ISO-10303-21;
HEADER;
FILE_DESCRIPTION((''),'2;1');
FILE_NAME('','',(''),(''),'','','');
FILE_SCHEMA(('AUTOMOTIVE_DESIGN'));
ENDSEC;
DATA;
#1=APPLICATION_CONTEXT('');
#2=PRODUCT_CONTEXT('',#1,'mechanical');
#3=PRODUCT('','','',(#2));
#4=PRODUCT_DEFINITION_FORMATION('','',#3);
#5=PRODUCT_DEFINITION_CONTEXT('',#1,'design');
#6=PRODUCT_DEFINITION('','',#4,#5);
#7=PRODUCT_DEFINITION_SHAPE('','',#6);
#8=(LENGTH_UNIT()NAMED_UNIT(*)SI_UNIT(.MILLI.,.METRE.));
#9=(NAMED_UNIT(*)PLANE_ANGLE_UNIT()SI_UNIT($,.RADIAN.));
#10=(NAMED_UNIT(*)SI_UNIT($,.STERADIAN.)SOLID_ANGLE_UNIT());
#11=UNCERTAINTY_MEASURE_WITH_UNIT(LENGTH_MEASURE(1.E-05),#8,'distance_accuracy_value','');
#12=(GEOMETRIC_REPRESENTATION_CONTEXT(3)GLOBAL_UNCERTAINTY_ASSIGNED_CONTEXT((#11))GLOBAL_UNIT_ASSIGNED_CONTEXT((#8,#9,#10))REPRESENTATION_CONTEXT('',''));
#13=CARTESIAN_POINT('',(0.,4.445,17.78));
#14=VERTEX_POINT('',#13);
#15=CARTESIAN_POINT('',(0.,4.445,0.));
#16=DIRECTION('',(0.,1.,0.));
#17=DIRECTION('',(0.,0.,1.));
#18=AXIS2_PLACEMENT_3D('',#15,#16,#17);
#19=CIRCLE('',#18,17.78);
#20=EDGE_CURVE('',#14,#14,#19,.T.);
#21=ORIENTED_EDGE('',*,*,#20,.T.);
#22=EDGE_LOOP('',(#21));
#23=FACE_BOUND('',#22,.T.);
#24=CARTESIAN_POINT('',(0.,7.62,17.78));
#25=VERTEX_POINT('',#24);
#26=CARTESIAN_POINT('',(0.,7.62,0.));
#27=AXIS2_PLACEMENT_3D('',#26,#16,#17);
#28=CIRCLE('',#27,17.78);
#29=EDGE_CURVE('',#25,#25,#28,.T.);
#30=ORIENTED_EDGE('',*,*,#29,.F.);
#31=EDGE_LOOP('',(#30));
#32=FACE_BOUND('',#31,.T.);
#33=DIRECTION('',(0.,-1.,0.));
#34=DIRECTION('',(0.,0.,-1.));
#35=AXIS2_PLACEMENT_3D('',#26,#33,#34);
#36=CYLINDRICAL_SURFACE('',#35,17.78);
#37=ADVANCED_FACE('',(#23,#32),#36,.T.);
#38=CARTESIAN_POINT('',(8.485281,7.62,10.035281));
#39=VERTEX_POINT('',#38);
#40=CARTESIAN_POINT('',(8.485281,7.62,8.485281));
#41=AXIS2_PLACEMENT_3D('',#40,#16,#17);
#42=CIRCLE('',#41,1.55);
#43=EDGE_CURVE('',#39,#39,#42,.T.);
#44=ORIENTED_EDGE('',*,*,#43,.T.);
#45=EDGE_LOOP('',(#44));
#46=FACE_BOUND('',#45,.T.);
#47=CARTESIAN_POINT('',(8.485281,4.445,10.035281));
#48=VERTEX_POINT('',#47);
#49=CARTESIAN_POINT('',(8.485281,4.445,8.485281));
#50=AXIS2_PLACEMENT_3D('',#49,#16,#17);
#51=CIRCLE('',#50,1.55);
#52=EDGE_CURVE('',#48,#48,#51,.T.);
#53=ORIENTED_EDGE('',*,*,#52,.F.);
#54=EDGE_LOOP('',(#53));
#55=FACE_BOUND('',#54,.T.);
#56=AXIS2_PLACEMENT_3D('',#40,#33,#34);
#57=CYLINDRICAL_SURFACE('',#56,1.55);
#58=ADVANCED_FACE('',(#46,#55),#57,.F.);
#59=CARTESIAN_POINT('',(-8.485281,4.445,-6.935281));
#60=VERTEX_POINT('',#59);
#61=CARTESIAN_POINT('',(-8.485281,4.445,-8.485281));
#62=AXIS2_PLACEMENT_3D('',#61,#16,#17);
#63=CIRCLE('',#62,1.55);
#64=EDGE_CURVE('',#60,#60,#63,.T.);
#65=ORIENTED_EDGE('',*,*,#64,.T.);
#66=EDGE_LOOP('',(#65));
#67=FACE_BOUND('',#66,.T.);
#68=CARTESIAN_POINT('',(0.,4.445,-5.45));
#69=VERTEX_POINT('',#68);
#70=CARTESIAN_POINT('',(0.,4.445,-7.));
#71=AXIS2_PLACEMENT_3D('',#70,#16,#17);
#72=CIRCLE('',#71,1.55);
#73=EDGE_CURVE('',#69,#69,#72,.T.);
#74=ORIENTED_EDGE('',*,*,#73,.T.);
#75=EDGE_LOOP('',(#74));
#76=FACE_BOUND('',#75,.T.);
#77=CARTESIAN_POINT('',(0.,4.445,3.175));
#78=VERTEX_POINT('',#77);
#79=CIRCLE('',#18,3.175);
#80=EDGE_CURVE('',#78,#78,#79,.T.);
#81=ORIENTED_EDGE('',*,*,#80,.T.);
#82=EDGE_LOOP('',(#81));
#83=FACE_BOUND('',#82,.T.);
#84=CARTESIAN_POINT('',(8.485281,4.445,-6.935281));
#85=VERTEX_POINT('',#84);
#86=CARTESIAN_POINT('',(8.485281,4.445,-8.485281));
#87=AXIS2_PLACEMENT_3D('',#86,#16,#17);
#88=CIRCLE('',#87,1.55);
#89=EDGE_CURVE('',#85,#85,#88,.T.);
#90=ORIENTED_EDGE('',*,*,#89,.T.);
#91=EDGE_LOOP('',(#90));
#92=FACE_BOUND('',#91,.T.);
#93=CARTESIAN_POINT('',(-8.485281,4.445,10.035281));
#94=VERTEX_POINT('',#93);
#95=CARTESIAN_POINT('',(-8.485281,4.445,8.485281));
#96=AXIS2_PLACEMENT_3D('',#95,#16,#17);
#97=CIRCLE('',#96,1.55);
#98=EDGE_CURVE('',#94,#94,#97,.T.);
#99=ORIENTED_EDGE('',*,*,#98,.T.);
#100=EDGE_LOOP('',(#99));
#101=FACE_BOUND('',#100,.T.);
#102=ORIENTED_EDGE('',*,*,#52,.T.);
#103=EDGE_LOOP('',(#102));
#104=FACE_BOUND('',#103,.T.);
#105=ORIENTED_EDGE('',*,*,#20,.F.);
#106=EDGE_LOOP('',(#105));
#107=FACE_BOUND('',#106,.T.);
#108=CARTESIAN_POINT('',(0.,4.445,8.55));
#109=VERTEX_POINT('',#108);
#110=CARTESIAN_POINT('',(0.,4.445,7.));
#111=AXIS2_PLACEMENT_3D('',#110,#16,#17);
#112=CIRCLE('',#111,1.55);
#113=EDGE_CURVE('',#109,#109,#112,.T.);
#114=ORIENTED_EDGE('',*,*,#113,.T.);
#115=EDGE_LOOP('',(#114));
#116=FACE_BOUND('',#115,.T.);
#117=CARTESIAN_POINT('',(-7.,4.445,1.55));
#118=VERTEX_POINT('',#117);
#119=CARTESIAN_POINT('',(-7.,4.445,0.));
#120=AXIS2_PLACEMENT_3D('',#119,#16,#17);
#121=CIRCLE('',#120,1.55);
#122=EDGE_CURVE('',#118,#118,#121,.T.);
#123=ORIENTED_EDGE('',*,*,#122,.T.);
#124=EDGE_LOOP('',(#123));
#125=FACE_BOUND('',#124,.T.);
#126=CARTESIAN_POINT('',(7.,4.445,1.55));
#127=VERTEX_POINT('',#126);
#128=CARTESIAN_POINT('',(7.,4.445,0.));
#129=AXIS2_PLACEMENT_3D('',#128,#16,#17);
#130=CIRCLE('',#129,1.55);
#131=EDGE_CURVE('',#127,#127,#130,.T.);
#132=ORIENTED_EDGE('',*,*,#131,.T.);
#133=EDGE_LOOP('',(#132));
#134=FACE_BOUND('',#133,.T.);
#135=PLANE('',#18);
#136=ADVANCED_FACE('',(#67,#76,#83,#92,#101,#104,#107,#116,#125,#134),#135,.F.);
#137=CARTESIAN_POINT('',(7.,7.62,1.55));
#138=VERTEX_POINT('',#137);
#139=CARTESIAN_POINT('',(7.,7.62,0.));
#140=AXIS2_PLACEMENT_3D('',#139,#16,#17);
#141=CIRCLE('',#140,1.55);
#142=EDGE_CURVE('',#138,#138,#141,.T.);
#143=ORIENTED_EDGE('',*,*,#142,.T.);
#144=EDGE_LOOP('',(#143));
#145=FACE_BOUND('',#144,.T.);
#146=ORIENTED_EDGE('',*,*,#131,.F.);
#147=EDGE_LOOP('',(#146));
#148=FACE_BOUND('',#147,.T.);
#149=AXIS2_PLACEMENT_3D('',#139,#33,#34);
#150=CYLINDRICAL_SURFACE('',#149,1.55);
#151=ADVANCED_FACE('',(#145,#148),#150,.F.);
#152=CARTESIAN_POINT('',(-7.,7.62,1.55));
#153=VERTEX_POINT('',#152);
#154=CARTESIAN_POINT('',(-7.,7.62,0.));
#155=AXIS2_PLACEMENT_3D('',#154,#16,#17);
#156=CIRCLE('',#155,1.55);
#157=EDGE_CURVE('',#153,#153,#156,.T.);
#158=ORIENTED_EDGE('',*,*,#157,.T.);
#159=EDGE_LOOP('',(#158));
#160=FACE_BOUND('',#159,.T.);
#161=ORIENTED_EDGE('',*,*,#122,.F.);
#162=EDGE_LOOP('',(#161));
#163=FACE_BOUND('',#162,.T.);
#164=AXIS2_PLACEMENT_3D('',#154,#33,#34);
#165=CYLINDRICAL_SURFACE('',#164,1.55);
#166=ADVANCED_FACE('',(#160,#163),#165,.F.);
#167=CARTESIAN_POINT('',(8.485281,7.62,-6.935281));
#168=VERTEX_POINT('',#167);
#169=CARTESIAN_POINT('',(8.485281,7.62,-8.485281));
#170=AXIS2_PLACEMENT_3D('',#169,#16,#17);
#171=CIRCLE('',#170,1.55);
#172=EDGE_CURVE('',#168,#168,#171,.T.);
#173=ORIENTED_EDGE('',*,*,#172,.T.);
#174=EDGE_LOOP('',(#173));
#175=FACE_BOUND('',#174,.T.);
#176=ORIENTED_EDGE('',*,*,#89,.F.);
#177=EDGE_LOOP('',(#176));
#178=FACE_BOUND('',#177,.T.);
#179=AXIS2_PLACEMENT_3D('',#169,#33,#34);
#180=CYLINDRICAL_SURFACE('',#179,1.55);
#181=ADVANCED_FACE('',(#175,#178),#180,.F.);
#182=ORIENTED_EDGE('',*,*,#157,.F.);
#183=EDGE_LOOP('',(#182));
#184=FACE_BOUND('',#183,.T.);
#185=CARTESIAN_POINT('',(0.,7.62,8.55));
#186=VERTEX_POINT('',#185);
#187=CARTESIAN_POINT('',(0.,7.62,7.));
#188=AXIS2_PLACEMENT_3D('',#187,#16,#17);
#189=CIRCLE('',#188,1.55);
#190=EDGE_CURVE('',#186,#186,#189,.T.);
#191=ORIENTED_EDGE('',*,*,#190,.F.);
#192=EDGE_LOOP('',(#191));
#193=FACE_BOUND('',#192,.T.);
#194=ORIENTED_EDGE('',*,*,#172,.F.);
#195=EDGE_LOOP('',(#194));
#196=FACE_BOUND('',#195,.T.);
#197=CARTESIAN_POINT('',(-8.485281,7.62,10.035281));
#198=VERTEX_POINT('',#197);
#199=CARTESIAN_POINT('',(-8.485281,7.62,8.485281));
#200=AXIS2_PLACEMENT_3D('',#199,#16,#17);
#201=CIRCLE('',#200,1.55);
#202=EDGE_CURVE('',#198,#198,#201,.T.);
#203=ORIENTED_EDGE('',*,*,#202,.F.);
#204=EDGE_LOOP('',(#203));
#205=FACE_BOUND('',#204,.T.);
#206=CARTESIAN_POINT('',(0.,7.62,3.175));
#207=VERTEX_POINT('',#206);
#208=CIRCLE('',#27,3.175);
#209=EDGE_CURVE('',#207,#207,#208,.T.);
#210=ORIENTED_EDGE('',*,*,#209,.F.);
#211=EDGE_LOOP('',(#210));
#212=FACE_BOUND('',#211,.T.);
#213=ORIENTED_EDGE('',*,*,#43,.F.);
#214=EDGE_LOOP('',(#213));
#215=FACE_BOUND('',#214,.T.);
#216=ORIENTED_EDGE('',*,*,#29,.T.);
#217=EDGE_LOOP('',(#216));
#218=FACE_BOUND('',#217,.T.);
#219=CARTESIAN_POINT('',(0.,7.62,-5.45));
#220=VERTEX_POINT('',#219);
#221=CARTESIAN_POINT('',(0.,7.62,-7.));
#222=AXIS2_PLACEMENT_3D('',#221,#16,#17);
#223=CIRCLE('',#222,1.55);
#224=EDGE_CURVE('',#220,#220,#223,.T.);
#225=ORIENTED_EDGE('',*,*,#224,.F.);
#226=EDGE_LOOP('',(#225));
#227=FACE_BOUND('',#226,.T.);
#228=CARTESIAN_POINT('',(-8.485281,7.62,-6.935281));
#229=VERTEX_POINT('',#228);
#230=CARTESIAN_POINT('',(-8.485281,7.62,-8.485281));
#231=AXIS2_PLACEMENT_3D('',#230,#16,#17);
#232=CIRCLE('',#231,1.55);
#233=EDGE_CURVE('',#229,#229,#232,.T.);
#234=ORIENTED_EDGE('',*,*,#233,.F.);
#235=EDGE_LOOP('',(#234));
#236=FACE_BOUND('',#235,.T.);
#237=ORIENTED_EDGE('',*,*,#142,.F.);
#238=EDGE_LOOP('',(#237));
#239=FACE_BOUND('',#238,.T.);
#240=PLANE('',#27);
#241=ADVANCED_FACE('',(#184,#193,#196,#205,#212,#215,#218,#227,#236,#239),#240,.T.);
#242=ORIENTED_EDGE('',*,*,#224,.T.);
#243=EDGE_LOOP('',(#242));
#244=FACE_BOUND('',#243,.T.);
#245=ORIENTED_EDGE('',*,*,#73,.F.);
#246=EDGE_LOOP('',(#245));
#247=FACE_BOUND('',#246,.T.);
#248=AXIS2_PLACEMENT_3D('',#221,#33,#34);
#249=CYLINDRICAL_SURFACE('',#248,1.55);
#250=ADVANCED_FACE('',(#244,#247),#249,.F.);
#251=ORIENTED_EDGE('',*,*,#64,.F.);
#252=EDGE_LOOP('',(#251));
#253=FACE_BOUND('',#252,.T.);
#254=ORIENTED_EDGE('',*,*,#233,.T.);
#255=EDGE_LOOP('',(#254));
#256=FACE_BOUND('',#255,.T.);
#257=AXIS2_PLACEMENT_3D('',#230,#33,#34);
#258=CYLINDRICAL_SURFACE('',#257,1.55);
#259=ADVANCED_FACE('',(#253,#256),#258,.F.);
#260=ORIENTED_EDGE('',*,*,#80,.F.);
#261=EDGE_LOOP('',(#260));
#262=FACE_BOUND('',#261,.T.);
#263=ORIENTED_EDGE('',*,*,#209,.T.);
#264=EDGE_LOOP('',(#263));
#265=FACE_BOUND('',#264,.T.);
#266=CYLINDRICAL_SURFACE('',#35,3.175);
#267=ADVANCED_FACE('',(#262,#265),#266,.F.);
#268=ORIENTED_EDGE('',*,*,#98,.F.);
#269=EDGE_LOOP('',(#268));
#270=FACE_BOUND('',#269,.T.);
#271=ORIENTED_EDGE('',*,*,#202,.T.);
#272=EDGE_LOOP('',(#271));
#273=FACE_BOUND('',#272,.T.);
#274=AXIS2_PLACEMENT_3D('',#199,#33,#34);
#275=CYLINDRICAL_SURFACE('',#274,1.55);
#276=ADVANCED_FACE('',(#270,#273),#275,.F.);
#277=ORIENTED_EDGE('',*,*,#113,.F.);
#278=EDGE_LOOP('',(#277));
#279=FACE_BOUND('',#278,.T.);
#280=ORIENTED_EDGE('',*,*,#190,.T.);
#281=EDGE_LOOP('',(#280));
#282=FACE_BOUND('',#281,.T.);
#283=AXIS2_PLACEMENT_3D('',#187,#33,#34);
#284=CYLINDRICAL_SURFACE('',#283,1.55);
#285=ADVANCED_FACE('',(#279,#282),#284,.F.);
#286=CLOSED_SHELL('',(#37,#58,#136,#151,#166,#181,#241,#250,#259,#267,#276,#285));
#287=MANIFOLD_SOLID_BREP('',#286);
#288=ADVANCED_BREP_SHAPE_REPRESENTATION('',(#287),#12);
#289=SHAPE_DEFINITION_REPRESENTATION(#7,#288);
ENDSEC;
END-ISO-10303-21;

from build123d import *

# Parameters (mm, degrees)
SKETCH2_R           = 1.27
CUT_EXTRUDE1_DEPTH  = 15.69747247
SKETCH3_R           = 17.78
SKETCH3_R_2         = 3.175
SKETCH3_R_3         = 1.55
BOSS_EXTRUDE1_DEPTH = 3.175


with BuildPart() as part:
    # Sketch1 → Revolve1 (revolve)
    with BuildSketch(Plane.XY, mode=Mode.PRIVATE) as revolve1_sk:
        Polygon((4.572, 0), (4.572, 1.905), (9.906, 1.905), (9.906, 4.445), (1.397, 4.445), (1.397, 2.54), (3.175, 2.54), (3.175, 0), align=None)
    revolve(revolve1_sk.sketch.rotate(Axis((0, 0, 0), (0, 1, 0)), 90), axis=Axis((0, 0, 0), (0, 1, 0)))

    # Sketch2 → Cut-Extrude1 (cut, through all)
    with BuildSketch(Plane(origin=(0, 4.445, 0), x_dir=(1, 0, 0), z_dir=(0, 1, 0))):
        with Locations(Location((0, 7, 0), (0, 0, 270))):
            Circle(SKETCH2_R)
        with Locations(Location((7, 0, 0), (0, 0, 270))):
            Circle(SKETCH2_R)
        with Locations(Location((0, -7, 0), (0, 0, 270))):
            Circle(SKETCH2_R)
        with Locations(Location((-7, 0, 0), (0, 0, 270))):
            Circle(SKETCH2_R)
    extrude(amount=-CUT_EXTRUDE1_DEPTH, mode=Mode.SUBTRACT)


with BuildPart() as body_2:
    # Sketch3 → Boss-Extrude1 (new body)
    with BuildSketch(Plane(origin=(0, 4.445, 0), x_dir=(1, 0, 0), z_dir=(0, 1, 0))):
        with Locations(Location((0, 0, 0), (0, 0, 270))):
            Circle(SKETCH3_R)
        with Locations(Location((0, 0, 0), (0, 0, 270))):
            Circle(SKETCH3_R_2, mode=Mode.SUBTRACT)
        with Locations(Location((-8.485281374, 8.485281374, 0), (0, 0, 270))):
            Circle(SKETCH3_R_3, mode=Mode.SUBTRACT)
        with Locations(Location((0, 7, 0), (0, 0, 270))):
            Circle(SKETCH3_R_3, mode=Mode.SUBTRACT)
        with Locations(Location((7, 0, 0), (0, 0, 270))):
            Circle(SKETCH3_R_3, mode=Mode.SUBTRACT)
        with Locations(Location((0, -7, 0), (0, 0, 270))):
            Circle(SKETCH3_R_3, mode=Mode.SUBTRACT)
        with Locations(Location((-7, 0, 0), (0, 0, 270))):
            Circle(SKETCH3_R_3, mode=Mode.SUBTRACT)
        with Locations(Location((8.485281374, 8.485281374, 0), (0, 0, 270))):
            Circle(SKETCH3_R_3, mode=Mode.SUBTRACT)
        with Locations(Location((8.485281374, -8.485281374, 0), (0, 0, 270))):
            Circle(SKETCH3_R_3, mode=Mode.SUBTRACT)
        with Locations(Location((-8.485281374, -8.485281374, 0), (0, 0, 270))):
            Circle(SKETCH3_R_3, mode=Mode.SUBTRACT)
    extrude(amount=BOSS_EXTRUDE1_DEPTH)


solid = body_2.part
